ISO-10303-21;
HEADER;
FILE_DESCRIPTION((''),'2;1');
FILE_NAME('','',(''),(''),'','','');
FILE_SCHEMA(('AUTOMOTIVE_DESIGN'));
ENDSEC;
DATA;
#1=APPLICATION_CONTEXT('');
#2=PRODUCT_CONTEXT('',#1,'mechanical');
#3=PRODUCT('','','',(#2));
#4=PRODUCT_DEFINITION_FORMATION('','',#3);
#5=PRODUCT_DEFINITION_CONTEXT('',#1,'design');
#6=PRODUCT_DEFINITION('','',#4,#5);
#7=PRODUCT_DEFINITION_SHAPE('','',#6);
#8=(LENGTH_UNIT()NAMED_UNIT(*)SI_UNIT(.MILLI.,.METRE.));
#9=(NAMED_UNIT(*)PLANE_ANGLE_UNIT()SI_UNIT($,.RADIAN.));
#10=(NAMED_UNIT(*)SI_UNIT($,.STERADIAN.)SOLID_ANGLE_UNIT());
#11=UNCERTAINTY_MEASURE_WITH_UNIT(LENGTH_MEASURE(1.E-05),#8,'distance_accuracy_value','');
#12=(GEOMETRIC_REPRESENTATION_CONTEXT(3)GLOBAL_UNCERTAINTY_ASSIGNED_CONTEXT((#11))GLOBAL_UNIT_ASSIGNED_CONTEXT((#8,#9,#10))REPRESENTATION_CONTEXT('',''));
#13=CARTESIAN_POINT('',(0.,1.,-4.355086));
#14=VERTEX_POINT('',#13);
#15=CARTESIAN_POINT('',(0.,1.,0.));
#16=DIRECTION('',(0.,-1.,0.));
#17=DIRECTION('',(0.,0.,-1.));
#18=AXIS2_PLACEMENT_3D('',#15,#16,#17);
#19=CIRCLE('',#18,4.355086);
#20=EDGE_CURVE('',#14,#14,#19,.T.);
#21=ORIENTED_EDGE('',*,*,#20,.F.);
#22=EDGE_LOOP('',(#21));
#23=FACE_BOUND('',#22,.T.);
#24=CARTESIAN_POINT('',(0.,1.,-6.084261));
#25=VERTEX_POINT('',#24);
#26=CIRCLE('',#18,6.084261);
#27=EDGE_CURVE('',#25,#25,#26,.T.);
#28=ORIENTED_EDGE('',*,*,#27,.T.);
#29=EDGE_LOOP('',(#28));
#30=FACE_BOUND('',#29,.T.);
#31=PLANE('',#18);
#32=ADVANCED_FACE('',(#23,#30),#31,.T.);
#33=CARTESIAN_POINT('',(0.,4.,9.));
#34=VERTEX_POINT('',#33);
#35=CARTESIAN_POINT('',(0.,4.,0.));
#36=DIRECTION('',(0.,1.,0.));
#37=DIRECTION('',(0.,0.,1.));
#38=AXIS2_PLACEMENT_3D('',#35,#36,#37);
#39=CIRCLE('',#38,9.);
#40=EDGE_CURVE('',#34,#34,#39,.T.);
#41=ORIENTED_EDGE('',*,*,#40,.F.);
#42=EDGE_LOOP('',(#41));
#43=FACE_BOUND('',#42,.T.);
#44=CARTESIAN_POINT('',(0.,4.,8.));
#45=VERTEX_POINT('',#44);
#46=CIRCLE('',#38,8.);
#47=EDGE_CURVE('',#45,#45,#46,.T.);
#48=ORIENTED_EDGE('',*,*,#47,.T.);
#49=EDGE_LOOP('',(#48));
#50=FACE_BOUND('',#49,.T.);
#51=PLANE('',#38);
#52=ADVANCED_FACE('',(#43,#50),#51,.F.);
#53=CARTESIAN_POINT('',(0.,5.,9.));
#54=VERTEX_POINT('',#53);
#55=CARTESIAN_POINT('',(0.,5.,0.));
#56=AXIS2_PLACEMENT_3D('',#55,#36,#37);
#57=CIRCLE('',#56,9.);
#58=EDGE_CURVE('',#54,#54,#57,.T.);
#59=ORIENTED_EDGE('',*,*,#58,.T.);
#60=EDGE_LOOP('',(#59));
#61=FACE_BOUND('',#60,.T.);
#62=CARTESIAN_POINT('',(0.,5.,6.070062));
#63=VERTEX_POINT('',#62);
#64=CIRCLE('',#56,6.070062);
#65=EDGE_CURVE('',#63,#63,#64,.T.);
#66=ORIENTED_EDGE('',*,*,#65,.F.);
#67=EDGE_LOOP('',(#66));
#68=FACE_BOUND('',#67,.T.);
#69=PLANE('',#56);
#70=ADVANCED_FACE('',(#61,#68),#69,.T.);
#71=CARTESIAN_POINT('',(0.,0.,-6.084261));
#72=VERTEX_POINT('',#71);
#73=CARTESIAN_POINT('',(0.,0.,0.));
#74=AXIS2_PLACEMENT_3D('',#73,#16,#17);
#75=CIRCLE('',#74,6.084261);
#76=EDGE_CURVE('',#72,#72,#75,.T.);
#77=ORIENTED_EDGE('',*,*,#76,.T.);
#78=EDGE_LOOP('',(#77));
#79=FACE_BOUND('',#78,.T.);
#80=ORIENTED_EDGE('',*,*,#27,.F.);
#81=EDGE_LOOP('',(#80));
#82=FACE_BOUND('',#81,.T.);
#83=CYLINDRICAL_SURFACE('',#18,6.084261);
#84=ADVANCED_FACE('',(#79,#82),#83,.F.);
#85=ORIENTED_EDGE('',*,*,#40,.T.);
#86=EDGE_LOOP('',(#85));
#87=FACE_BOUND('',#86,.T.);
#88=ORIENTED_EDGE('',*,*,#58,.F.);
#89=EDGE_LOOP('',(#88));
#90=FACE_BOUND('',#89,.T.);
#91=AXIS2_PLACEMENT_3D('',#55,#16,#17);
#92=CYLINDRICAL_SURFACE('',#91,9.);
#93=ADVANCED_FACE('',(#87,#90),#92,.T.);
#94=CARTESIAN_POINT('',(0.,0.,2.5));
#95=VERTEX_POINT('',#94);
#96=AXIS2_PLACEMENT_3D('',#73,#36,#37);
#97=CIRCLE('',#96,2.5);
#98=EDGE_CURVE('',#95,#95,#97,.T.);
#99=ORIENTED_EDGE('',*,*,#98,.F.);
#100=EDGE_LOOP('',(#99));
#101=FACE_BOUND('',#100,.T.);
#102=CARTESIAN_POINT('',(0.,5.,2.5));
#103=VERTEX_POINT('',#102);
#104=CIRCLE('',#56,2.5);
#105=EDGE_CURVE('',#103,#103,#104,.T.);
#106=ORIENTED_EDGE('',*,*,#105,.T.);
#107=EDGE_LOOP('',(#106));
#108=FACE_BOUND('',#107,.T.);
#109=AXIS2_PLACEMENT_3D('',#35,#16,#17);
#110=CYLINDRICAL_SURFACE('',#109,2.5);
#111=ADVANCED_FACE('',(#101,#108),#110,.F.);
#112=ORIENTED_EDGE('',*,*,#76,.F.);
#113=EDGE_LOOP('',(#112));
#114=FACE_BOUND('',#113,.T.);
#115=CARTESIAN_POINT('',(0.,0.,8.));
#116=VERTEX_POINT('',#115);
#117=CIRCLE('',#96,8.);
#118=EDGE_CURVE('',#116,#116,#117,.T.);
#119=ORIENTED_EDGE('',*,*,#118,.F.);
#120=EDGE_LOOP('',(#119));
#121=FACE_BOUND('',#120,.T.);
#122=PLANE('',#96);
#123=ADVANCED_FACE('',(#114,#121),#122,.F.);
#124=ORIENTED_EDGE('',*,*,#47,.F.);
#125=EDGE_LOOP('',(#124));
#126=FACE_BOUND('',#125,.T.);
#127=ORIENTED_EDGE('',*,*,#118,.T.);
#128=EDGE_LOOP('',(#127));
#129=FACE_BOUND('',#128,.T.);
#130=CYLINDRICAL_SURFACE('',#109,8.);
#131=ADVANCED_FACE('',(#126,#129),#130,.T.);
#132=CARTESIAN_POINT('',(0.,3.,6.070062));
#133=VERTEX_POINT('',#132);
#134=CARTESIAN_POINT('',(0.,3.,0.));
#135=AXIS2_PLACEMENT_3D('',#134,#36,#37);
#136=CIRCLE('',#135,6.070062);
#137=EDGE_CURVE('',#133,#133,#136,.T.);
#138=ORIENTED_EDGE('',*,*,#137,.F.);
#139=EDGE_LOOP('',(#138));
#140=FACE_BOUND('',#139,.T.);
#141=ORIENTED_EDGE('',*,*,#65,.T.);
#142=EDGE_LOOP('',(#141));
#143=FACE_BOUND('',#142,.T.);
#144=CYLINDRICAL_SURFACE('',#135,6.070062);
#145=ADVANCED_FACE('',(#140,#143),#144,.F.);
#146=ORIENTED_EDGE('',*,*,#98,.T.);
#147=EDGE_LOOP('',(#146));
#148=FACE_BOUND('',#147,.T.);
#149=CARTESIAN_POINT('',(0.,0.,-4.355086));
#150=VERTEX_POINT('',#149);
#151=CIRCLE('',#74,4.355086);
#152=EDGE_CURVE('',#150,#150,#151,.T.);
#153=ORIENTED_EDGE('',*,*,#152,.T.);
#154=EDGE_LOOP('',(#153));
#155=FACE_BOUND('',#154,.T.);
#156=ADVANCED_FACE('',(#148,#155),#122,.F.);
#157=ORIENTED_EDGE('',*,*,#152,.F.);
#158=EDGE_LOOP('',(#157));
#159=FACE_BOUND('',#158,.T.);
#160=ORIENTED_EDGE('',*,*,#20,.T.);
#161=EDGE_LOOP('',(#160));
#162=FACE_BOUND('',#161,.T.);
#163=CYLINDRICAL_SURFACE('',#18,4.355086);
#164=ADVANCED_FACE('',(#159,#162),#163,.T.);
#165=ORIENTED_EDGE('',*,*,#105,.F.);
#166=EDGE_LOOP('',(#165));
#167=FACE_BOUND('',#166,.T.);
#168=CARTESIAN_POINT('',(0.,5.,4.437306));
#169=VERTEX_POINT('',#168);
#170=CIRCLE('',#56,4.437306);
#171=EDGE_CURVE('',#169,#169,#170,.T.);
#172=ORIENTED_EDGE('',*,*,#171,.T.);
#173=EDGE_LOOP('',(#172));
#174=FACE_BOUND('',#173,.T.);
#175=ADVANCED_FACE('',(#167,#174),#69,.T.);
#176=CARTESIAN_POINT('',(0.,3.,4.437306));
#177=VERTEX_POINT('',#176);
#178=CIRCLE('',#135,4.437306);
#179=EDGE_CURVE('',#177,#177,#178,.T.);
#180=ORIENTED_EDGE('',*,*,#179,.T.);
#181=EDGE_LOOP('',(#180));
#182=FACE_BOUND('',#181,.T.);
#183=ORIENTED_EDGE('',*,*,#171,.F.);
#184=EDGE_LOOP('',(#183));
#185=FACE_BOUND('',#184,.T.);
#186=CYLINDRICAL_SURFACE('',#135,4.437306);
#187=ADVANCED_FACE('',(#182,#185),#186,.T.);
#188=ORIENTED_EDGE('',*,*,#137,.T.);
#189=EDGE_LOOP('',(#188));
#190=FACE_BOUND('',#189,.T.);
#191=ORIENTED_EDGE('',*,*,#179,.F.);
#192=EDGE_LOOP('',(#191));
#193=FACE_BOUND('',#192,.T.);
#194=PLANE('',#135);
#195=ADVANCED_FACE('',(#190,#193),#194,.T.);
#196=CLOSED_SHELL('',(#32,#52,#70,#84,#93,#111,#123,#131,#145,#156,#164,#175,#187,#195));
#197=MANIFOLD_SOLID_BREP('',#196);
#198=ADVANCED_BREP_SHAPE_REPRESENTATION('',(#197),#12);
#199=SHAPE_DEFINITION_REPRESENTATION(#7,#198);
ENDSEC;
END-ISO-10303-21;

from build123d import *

# Parameters (mm, degrees)
SKETCH1_R           = 8
SKETCH1_R_2         = 2.5
BOSS_EXTRUDE1_DEPTH = 4
SKETCH2_R           = 9
SKETCH2_R_2         = 2.5
BOSS_EXTRUDE2_DEPTH = 1
SKETCH3_R           = 6.084261399
SKETCH3_R_2         = 4.35508582
CUT_EXTRUDE1_DEPTH  = 1
SKETCH4_R           = 6.070062278
SKETCH4_R_2         = 4.43730614
CUT_EXTRUDE2_DEPTH  = 2


with BuildPart() as part:
    # Sketch1 → Boss-Extrude1 (new body)
    with BuildSketch(Plane(origin=(0, 0, 0), x_dir=(1, 0, 0), z_dir=(0, 1, 0))):
        with Locations(Location((0, 0, 0), (0, 0, 270))):
            Circle(SKETCH1_R)
        with Locations(Location((0, 0, 0), (0, 0, 270))):
            Circle(SKETCH1_R_2, mode=Mode.SUBTRACT)
    extrude(amount=BOSS_EXTRUDE1_DEPTH)

    # Sketch2 → Boss-Extrude2 (add)
    with BuildSketch(Plane(origin=(0, 4, 0), x_dir=(1, 0, 0), z_dir=(0, 1, 0))):
        with Locations(Location((0, 0, 0), (0, 0, 270))):
            Circle(SKETCH2_R)
        with Locations(Location((0, 0, 0), (0, 0, 270))):
            Circle(SKETCH2_R_2, mode=Mode.SUBTRACT)
    extrude(amount=BOSS_EXTRUDE2_DEPTH)

    # Sketch3 → Cut-Extrude1 (cut)
    with BuildSketch(Plane.XZ):
        with Locations(Location((0, 0, 0), (0, 0, 270))):
            Circle(SKETCH3_R)
        with Locations(Location((0, 0, 0), (0, 0, 270))):
            Circle(SKETCH3_R_2, mode=Mode.SUBTRACT)
    extrude(amount=-CUT_EXTRUDE1_DEPTH, mode=Mode.SUBTRACT)

    # Sketch4 → Cut-Extrude2 (cut)
    with BuildSketch(Plane(origin=(0, 5, 0), x_dir=(1, 0, 0), z_dir=(0, 1, 0))):
        with Locations(Location((0, 0, 0), (0, 0, 270))):
            Circle(SKETCH4_R)
        with Locations(Location((0, 0, 0), (0, 0, 270))):
            Circle(SKETCH4_R_2, mode=Mode.SUBTRACT)
    extrude(amount=-CUT_EXTRUDE2_DEPTH, mode=Mode.SUBTRACT)


solid = part.part
